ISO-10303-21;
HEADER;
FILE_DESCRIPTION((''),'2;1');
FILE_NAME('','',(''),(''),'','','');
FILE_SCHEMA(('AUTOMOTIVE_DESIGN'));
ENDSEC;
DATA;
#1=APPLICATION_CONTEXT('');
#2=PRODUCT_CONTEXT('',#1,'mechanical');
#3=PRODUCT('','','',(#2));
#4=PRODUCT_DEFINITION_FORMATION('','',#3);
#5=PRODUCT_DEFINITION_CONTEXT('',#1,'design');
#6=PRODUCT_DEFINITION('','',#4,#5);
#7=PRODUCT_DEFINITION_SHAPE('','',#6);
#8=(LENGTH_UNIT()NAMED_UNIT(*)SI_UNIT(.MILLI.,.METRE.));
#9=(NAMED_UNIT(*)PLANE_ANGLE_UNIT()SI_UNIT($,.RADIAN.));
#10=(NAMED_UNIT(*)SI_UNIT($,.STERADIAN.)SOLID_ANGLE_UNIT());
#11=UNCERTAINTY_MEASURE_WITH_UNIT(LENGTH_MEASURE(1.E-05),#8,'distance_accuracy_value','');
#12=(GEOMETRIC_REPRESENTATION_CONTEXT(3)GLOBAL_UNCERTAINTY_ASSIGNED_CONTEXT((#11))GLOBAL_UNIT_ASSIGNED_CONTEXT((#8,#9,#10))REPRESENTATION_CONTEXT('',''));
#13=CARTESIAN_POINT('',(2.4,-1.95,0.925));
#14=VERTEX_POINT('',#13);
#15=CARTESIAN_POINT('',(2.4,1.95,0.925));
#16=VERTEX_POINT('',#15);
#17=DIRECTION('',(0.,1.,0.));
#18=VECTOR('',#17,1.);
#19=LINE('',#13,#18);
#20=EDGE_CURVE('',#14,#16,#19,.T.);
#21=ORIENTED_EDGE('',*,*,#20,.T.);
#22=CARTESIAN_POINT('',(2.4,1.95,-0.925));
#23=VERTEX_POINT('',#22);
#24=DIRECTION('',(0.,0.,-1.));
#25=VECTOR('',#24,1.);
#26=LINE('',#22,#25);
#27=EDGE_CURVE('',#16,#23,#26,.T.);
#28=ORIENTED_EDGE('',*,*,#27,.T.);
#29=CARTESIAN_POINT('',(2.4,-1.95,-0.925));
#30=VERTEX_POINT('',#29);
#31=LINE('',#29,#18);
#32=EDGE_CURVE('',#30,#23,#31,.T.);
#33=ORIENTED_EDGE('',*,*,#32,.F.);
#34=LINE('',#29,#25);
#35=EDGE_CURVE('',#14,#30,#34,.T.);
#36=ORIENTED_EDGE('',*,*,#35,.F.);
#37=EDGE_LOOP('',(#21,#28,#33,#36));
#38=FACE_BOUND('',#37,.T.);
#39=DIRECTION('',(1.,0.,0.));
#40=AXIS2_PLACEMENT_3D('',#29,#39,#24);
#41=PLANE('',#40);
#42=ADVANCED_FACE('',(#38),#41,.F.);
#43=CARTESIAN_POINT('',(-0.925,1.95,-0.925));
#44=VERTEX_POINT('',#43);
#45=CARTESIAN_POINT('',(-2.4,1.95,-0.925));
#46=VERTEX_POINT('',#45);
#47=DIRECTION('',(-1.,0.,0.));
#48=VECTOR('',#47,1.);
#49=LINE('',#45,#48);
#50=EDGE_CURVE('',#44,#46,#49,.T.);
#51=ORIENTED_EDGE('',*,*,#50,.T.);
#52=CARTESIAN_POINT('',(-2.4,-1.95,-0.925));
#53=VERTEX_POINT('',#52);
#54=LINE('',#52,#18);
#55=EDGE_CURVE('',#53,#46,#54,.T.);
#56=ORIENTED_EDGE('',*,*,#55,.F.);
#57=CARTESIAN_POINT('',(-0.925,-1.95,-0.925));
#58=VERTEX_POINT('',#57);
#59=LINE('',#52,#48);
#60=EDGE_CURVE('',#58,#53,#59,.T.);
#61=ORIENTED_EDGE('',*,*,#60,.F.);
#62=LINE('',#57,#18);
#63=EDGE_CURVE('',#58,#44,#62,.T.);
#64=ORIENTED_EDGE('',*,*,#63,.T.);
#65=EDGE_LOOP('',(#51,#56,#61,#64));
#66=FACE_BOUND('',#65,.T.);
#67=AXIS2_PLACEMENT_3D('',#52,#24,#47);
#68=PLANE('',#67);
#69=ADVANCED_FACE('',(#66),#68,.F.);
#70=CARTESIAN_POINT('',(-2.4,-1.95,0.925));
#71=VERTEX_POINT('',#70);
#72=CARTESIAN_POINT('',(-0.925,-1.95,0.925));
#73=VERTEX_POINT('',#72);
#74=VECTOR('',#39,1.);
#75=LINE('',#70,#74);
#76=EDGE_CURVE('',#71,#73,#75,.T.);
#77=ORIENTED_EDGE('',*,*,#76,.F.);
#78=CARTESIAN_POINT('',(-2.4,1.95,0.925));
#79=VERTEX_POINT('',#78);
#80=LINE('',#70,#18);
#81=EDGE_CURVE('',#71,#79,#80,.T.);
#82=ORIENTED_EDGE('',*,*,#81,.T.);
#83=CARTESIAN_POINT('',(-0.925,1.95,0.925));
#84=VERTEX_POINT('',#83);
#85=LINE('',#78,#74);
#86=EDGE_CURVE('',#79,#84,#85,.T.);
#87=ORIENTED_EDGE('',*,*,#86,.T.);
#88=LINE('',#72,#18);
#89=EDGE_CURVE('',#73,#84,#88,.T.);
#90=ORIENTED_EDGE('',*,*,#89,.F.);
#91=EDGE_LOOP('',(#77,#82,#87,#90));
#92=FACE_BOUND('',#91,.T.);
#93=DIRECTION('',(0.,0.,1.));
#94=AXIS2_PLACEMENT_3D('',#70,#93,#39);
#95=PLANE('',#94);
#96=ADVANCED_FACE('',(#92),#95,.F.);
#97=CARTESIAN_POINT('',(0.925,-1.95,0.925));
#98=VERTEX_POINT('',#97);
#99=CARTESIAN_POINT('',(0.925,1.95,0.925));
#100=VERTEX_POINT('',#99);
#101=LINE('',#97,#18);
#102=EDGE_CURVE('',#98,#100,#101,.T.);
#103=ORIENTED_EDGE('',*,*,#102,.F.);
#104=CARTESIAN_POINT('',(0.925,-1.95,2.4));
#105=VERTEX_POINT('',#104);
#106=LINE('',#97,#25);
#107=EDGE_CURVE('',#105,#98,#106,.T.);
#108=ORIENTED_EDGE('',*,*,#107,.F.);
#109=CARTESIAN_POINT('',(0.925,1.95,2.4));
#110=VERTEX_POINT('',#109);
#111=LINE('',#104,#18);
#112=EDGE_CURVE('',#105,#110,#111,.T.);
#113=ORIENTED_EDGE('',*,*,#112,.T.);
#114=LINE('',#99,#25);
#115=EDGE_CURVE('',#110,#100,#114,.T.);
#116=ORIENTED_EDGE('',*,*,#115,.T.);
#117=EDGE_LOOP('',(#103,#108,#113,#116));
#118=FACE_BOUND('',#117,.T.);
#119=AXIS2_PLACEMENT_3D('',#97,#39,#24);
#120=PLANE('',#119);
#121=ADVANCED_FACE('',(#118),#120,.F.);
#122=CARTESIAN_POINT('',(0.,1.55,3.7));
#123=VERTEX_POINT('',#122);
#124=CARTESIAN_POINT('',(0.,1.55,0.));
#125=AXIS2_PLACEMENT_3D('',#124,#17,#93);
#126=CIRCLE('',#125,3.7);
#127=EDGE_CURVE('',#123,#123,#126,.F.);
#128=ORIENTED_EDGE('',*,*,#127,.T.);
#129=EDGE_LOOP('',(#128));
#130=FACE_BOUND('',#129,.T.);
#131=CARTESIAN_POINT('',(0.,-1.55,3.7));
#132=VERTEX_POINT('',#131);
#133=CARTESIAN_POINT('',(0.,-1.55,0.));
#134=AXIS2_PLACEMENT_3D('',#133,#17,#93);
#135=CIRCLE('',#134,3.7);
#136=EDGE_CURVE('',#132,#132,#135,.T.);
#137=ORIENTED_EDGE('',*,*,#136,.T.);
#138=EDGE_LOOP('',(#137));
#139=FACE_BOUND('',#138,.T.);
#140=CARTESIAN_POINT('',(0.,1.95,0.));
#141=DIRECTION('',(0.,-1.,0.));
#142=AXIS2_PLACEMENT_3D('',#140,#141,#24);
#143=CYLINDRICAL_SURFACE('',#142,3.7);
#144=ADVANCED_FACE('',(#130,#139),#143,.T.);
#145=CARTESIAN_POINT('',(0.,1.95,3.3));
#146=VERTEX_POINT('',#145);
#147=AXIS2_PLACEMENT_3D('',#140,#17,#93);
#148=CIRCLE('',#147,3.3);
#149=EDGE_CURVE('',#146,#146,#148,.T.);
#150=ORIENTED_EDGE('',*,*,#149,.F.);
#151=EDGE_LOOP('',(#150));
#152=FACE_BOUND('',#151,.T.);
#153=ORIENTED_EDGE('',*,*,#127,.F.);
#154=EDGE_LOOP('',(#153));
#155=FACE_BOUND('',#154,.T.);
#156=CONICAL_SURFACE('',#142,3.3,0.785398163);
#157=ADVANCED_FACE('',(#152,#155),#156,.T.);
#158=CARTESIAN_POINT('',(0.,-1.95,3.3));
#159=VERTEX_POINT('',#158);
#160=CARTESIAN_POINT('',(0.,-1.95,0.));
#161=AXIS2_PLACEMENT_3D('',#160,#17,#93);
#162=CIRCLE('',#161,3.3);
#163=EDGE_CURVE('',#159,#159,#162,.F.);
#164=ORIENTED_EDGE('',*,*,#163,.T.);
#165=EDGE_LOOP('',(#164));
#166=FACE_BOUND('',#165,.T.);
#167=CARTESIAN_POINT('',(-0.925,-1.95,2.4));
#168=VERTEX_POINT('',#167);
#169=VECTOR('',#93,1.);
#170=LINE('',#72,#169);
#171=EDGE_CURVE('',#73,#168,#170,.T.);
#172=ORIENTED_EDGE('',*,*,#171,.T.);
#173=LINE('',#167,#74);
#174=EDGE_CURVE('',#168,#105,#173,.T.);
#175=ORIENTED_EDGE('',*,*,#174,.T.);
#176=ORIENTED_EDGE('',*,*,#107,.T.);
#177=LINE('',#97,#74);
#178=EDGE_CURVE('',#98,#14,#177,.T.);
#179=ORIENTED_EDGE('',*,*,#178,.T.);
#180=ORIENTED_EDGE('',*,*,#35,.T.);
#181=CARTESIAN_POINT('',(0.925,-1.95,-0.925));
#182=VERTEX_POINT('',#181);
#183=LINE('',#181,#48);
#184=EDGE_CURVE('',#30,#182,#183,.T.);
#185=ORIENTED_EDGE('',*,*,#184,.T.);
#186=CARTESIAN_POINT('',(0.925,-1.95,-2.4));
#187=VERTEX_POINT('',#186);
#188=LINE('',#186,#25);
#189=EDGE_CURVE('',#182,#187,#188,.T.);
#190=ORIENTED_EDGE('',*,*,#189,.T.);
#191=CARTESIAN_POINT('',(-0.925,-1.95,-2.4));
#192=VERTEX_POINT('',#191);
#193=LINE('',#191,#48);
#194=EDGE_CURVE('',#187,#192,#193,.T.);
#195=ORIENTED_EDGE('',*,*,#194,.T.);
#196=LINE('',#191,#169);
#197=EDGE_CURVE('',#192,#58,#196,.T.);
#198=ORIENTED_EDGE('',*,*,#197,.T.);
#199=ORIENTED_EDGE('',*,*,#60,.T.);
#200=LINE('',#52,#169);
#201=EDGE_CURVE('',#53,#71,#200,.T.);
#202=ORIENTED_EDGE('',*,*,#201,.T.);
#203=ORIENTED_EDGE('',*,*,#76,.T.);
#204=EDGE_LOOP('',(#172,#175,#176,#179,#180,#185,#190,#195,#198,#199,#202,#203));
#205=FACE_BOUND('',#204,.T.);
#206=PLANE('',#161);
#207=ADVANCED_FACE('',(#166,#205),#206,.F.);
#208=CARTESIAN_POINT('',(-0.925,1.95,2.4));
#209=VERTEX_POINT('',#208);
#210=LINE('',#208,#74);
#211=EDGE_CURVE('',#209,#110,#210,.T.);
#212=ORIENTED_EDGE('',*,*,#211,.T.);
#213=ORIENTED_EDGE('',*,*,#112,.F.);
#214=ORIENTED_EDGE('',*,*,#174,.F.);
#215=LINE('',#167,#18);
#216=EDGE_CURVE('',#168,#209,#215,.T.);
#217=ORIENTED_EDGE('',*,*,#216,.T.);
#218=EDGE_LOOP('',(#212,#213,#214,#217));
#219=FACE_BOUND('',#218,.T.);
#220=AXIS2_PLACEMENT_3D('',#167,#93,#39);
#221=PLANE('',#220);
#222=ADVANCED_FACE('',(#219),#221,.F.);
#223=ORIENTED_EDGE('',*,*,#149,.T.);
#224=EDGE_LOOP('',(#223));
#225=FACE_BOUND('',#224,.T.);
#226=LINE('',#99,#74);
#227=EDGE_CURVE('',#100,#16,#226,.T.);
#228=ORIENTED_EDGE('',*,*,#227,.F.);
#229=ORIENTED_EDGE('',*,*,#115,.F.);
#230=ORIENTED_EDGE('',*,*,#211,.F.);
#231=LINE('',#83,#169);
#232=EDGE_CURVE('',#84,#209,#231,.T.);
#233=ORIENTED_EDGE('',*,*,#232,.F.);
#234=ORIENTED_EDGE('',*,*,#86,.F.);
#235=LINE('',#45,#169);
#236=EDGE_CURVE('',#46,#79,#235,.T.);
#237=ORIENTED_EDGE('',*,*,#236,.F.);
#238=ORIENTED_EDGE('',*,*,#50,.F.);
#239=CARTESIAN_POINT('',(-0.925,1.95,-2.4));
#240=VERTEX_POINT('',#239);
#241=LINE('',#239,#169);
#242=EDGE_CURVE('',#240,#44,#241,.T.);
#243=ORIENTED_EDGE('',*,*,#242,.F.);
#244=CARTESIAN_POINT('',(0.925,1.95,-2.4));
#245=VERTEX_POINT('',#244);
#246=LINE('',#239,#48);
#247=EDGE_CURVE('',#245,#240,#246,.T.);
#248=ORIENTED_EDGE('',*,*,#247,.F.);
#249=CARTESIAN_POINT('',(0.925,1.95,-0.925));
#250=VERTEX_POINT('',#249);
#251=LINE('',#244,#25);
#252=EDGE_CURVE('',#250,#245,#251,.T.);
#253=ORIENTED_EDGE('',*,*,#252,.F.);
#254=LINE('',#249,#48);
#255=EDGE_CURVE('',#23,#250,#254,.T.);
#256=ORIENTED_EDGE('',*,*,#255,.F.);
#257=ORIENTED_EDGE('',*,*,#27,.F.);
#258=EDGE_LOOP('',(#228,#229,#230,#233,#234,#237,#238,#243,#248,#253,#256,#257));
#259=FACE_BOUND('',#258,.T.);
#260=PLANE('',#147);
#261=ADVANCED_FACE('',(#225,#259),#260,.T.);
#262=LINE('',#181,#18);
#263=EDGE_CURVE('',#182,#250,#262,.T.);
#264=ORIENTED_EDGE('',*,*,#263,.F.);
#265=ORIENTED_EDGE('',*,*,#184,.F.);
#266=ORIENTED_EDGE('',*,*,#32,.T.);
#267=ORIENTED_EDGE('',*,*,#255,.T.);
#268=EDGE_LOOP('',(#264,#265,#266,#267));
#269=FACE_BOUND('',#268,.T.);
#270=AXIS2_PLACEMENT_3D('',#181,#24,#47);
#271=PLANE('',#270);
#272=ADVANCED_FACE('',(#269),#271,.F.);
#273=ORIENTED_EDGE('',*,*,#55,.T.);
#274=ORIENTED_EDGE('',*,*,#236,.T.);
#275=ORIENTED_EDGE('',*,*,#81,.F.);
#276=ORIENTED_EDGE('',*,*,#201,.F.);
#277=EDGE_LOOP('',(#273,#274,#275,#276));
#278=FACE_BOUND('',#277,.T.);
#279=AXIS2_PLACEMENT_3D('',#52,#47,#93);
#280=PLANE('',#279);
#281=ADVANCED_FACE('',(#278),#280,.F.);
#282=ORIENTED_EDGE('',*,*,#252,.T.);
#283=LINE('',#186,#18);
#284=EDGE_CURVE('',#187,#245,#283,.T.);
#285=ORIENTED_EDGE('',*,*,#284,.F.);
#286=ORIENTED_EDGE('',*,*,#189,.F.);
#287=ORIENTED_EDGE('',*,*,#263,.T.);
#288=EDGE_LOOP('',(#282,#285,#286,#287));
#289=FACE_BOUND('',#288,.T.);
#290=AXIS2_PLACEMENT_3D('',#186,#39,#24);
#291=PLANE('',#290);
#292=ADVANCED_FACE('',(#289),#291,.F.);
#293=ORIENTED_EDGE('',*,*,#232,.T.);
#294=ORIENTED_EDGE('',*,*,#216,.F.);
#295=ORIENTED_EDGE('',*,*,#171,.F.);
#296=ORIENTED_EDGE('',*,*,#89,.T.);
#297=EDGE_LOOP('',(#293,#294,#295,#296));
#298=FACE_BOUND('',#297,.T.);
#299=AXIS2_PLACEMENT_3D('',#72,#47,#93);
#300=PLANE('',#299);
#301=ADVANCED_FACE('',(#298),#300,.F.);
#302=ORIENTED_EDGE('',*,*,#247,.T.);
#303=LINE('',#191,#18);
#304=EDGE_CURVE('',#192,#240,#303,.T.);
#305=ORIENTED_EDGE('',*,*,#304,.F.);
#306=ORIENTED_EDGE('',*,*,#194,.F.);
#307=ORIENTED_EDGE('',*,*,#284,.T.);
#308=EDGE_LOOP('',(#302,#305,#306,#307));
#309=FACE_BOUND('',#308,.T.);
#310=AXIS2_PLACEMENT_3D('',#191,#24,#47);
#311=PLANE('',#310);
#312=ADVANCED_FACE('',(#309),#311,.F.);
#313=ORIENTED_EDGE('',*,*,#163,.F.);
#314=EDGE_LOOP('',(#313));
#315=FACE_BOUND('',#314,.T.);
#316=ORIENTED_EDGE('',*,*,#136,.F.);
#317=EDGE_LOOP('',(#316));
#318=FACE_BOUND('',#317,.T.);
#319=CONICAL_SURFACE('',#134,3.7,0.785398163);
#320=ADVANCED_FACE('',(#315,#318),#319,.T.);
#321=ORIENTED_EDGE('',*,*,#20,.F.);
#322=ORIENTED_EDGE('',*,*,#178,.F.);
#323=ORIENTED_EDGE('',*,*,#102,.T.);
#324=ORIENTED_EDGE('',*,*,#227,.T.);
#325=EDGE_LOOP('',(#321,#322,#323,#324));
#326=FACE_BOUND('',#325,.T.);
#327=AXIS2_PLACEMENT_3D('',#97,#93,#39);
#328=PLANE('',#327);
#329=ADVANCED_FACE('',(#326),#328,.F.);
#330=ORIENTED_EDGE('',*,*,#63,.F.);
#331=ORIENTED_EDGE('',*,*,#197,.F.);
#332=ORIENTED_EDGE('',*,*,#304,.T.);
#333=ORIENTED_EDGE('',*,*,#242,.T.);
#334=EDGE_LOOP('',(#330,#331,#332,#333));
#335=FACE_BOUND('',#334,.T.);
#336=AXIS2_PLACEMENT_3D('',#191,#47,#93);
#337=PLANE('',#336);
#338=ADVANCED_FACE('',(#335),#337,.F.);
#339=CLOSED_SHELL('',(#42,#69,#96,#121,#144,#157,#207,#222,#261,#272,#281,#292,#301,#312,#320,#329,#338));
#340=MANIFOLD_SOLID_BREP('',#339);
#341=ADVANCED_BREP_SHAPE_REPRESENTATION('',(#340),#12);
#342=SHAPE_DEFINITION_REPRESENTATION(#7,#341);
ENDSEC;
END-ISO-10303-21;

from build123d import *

# Parameters (mm, degrees)
SKETCH1_R           = 3.7
BOSS_EXTRUDE1_DEPTH = 1.95
CUT_EXTRUDE1_DEPTH  = 7.52610144
CHAMFER1_SIZE       = 0.4


with BuildPart() as part:
    # Sketch1 → Boss-Extrude1 (new, symmetric)
    with BuildSketch(Plane(origin=(0, 0, 0), x_dir=(1, 0, 0), z_dir=(0, 1, 0))):
        with Locations(Location((0, 0, 0), (0, 0, 270))):
            Circle(SKETCH1_R)
    extrude(amount=BOSS_EXTRUDE1_DEPTH, both=True)

    # Sketch2 → Cut-Extrude1 (cut, through all)
    with BuildSketch(Plane(origin=(0, 1.95, 0), x_dir=(1, 0, 0), z_dir=(0, 1, 0))):
        Polygon((0.925, 0.925), (2.4, 0.925), (2.4, -0.925), (0.925, -0.925), (0.925, -2.4), (-0.925, -2.4), (-0.925, -0.925), (-2.4, -0.925), (-2.4, 0.925), (-0.925, 0.925), (-0.925, 2.4), (0.925, 2.4), align=None)
    extrude(amount=-CUT_EXTRUDE1_DEPTH, mode=Mode.SUBTRACT)

    # Chamfer1
    chamfer1_edges = [part.edges().sort_by_distance(p)[0] for p in [
        (0, -1.95, -3.7),
        (0, 1.95, -3.7),
    ]]
    chamfer(chamfer1_edges, length=CHAMFER1_SIZE)


solid = part.part
